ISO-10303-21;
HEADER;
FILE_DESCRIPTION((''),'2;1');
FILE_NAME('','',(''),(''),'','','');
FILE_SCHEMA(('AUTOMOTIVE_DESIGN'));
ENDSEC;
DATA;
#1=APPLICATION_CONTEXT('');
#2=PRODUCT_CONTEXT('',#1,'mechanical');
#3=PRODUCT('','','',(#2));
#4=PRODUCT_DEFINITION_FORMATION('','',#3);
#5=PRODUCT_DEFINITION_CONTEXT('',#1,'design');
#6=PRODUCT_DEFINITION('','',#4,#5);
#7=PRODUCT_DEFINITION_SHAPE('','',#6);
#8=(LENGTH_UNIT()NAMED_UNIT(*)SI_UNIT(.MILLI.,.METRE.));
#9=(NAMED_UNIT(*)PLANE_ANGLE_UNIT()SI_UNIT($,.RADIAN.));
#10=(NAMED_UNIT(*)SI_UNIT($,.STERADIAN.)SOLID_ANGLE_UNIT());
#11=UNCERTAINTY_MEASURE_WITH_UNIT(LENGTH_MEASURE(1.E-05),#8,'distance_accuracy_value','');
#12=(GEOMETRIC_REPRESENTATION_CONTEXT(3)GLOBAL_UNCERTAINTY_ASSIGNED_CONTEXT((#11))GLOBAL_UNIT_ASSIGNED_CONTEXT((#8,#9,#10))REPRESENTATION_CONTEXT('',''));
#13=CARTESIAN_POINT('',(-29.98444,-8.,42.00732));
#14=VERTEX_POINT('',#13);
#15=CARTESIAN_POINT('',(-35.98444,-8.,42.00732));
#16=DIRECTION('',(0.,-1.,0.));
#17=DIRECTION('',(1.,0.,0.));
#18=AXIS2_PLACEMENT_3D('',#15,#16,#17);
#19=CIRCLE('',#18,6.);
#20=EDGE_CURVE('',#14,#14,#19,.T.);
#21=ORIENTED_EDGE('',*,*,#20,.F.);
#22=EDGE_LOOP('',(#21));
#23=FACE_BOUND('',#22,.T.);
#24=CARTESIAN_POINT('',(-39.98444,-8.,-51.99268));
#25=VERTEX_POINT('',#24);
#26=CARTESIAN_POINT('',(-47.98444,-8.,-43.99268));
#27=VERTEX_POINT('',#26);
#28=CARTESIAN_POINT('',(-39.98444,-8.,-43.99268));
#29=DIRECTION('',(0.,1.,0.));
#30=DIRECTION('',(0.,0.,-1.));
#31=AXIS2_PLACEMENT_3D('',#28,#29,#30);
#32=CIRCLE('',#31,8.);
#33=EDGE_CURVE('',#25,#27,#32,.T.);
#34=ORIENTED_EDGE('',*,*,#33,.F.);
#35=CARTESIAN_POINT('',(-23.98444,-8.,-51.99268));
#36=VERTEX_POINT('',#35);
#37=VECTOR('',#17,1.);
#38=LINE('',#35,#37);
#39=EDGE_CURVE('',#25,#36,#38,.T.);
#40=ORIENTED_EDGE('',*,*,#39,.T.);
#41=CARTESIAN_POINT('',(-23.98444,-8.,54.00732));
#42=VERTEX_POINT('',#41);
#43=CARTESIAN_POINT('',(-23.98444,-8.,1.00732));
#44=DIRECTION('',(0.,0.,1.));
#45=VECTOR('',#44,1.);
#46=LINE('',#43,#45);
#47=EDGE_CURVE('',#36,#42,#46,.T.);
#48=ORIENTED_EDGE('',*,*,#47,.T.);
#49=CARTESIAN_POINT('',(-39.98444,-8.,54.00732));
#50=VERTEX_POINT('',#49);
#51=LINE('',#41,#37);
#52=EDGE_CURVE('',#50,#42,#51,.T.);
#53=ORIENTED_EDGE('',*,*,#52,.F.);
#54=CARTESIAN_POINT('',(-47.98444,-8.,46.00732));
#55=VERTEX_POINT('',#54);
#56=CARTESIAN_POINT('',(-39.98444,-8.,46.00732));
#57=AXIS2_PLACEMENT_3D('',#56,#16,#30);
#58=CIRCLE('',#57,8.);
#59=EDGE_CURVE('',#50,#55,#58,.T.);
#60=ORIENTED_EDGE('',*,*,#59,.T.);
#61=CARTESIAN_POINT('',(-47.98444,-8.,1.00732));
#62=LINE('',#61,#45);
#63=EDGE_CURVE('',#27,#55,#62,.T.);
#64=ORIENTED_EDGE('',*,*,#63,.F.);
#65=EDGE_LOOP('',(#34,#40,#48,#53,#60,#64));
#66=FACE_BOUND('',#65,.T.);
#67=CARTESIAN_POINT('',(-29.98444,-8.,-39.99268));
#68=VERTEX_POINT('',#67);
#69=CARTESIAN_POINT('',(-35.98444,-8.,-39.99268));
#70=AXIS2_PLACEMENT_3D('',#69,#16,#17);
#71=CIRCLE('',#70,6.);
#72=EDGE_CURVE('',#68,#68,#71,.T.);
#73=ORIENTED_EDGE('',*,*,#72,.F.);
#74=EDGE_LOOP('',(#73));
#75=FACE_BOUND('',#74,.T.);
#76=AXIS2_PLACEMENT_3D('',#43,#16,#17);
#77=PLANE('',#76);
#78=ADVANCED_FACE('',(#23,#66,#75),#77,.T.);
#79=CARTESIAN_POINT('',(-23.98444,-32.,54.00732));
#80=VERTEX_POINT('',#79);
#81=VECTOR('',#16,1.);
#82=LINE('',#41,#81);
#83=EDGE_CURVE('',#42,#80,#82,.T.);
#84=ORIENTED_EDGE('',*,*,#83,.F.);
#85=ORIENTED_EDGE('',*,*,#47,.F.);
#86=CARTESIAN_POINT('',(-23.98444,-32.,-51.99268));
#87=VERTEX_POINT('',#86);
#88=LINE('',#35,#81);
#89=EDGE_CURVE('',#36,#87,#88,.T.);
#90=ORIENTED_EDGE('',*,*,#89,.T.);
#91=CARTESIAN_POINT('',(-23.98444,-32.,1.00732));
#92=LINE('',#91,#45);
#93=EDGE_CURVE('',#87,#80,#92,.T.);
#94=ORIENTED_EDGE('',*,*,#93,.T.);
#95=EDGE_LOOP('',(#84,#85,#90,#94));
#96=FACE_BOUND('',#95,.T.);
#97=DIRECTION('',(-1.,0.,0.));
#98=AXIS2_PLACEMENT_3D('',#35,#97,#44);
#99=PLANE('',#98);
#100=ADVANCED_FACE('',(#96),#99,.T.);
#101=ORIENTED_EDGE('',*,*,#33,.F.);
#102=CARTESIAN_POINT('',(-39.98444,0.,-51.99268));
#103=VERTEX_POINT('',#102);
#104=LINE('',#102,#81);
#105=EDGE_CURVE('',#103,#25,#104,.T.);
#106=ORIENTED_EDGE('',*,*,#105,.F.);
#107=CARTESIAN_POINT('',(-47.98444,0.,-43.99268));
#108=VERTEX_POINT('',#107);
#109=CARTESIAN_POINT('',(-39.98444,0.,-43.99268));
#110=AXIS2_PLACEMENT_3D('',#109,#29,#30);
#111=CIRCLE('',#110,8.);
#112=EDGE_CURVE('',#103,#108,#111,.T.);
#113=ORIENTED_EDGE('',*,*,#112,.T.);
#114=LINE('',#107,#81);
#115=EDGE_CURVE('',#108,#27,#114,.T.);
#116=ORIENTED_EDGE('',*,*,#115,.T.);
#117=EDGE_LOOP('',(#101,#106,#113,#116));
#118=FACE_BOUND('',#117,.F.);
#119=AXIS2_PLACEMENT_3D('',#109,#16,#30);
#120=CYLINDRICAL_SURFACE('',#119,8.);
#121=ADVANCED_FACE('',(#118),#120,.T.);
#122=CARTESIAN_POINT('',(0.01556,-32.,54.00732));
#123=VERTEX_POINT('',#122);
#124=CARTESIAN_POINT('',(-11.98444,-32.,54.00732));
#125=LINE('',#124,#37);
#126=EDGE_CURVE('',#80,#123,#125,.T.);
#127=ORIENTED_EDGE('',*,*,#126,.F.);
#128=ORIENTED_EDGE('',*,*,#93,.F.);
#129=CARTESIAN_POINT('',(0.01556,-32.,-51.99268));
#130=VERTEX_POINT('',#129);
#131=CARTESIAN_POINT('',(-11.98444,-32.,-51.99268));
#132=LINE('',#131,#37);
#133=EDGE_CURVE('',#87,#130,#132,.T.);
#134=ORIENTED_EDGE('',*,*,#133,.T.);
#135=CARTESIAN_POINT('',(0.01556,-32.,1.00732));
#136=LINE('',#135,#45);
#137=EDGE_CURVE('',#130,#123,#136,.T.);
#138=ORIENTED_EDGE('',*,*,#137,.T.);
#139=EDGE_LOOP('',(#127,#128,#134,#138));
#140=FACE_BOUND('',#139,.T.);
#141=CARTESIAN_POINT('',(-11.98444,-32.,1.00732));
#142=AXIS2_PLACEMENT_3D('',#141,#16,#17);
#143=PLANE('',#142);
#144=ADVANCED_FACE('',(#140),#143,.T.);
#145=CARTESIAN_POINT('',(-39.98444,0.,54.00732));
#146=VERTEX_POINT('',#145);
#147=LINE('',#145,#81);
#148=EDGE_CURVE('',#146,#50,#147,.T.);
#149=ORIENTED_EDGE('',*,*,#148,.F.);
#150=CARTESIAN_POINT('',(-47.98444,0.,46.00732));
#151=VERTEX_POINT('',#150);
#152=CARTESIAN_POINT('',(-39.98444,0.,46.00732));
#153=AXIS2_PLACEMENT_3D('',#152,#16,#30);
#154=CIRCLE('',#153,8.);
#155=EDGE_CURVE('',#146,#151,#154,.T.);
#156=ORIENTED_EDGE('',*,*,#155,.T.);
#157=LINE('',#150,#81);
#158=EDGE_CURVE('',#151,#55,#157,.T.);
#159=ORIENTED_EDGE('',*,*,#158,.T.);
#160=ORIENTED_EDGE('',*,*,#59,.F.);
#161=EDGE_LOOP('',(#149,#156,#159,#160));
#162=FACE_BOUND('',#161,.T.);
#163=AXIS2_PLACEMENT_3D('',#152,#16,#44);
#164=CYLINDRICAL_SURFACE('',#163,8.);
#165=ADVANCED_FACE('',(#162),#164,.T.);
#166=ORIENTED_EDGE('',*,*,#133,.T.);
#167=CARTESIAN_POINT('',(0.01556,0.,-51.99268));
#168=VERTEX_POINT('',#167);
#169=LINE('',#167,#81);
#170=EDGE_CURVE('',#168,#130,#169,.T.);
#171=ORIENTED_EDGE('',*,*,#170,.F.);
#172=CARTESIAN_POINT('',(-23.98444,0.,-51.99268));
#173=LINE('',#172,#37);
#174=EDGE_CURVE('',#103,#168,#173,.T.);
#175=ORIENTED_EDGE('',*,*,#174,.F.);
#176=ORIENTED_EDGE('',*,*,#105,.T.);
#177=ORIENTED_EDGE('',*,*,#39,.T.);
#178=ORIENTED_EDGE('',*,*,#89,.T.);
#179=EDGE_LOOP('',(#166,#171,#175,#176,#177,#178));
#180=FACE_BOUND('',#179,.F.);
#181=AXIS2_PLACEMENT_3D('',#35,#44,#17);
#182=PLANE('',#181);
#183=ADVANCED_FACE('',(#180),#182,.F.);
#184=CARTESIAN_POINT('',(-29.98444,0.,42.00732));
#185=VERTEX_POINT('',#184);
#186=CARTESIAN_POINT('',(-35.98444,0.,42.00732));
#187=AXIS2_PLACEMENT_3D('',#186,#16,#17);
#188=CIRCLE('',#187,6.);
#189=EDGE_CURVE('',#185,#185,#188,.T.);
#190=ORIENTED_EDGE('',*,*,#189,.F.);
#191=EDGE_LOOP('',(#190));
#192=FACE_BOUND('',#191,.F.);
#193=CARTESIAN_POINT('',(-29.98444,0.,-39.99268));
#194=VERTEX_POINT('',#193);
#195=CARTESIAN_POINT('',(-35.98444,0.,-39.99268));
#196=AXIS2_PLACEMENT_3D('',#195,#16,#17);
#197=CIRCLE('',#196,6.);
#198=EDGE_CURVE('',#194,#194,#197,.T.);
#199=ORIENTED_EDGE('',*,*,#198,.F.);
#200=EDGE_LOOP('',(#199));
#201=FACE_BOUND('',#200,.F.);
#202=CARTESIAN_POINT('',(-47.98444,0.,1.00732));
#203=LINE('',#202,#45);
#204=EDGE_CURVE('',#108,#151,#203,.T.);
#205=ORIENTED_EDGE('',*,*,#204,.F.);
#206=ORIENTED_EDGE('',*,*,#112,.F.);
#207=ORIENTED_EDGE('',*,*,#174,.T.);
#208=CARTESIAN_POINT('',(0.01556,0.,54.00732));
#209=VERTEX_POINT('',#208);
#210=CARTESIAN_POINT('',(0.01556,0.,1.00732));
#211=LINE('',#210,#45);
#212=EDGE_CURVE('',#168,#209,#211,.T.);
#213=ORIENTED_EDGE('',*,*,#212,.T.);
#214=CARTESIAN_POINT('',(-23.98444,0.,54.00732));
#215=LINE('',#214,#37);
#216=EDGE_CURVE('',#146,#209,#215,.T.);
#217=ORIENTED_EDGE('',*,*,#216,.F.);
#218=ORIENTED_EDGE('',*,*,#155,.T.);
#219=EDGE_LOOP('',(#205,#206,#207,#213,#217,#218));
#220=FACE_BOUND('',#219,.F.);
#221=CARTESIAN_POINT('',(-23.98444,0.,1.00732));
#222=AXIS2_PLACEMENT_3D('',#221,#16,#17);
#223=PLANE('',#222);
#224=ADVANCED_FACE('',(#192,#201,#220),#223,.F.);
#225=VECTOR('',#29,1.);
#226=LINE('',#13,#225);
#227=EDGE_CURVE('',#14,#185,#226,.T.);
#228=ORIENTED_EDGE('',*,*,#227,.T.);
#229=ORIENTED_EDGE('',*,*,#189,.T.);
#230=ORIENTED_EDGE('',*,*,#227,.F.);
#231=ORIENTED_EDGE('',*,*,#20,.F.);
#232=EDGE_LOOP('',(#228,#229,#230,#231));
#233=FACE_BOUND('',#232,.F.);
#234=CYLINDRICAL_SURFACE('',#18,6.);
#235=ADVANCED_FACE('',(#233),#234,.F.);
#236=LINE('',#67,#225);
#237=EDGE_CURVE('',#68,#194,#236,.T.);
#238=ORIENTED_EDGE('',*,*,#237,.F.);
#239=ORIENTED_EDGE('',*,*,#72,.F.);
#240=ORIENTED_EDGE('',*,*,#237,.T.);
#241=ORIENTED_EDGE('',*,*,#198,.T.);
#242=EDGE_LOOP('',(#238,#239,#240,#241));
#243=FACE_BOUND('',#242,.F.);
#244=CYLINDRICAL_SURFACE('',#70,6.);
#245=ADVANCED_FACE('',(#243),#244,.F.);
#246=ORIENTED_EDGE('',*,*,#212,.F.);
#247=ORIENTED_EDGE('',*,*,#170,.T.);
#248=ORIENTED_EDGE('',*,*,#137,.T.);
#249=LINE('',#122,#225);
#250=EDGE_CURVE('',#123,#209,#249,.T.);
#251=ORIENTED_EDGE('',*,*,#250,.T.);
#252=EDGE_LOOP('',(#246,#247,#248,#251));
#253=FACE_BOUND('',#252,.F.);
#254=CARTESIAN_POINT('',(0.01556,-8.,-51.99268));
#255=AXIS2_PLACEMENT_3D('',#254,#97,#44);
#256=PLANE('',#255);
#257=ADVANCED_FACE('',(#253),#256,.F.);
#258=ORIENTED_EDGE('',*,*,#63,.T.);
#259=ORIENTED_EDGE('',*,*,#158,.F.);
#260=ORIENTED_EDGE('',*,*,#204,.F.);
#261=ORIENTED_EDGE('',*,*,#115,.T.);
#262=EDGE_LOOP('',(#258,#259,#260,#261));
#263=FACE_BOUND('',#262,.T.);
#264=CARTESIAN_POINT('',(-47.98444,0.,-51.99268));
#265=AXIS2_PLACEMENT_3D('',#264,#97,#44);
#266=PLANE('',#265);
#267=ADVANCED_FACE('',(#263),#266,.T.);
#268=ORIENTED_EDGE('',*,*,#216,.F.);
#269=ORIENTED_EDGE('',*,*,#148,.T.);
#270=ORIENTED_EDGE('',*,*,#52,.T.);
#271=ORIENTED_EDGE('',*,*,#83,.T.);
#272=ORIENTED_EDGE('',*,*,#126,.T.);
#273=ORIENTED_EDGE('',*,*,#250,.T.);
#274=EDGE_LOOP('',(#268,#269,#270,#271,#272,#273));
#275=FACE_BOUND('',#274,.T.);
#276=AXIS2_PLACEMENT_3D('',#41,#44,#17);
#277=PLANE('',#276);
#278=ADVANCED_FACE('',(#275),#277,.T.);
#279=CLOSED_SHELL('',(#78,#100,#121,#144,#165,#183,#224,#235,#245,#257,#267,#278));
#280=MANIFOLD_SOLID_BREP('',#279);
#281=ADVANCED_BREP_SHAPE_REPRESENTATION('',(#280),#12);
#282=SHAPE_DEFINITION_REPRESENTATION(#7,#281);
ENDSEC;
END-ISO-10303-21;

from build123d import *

# Parameters (mm, degrees)
F0_W     = 48
F0_H     = 106
F1_DEPTH = 8
F2_W     = 24
F2_H     = 106
F3_DEPTH = 24
F4_R     = 6
F5_DEPTH = 40
F6_R     = 8


with BuildPart() as f1:
    # F0 (on Front) → F1 (new body)
    with BuildSketch(Plane.XZ):
        with Locations((-23.98444, 1.00732)):
            Rectangle(F0_W, F0_H)
    extrude(amount=F1_DEPTH)

    # F2 (on face) → F3 (join)
    with BuildSketch(Plane.XZ.offset(8)):
        with Locations((-11.98444, 1.00732)):
            Rectangle(F2_W, F2_H)
    extrude(amount=F3_DEPTH)

    # F4 (on face) → F5 (cut)
    with BuildSketch(Plane.XZ.offset(8)):
        with Locations((-35.98444, 42.00732)):
            Circle(F4_R)
        with Locations((-35.98444, -39.99268)):
            Circle(F4_R)
    extrude(amount=-F5_DEPTH, mode=Mode.SUBTRACT)

    # F6
    f6_edges = [f1.edges().sort_by_distance(p)[0] for p in [
        (-47.98444, -4, 54.00732),
        (-47.98444, -4, -51.99268),
    ]]
    fillet(f6_edges, radius=F6_R)


solid = f1.part
